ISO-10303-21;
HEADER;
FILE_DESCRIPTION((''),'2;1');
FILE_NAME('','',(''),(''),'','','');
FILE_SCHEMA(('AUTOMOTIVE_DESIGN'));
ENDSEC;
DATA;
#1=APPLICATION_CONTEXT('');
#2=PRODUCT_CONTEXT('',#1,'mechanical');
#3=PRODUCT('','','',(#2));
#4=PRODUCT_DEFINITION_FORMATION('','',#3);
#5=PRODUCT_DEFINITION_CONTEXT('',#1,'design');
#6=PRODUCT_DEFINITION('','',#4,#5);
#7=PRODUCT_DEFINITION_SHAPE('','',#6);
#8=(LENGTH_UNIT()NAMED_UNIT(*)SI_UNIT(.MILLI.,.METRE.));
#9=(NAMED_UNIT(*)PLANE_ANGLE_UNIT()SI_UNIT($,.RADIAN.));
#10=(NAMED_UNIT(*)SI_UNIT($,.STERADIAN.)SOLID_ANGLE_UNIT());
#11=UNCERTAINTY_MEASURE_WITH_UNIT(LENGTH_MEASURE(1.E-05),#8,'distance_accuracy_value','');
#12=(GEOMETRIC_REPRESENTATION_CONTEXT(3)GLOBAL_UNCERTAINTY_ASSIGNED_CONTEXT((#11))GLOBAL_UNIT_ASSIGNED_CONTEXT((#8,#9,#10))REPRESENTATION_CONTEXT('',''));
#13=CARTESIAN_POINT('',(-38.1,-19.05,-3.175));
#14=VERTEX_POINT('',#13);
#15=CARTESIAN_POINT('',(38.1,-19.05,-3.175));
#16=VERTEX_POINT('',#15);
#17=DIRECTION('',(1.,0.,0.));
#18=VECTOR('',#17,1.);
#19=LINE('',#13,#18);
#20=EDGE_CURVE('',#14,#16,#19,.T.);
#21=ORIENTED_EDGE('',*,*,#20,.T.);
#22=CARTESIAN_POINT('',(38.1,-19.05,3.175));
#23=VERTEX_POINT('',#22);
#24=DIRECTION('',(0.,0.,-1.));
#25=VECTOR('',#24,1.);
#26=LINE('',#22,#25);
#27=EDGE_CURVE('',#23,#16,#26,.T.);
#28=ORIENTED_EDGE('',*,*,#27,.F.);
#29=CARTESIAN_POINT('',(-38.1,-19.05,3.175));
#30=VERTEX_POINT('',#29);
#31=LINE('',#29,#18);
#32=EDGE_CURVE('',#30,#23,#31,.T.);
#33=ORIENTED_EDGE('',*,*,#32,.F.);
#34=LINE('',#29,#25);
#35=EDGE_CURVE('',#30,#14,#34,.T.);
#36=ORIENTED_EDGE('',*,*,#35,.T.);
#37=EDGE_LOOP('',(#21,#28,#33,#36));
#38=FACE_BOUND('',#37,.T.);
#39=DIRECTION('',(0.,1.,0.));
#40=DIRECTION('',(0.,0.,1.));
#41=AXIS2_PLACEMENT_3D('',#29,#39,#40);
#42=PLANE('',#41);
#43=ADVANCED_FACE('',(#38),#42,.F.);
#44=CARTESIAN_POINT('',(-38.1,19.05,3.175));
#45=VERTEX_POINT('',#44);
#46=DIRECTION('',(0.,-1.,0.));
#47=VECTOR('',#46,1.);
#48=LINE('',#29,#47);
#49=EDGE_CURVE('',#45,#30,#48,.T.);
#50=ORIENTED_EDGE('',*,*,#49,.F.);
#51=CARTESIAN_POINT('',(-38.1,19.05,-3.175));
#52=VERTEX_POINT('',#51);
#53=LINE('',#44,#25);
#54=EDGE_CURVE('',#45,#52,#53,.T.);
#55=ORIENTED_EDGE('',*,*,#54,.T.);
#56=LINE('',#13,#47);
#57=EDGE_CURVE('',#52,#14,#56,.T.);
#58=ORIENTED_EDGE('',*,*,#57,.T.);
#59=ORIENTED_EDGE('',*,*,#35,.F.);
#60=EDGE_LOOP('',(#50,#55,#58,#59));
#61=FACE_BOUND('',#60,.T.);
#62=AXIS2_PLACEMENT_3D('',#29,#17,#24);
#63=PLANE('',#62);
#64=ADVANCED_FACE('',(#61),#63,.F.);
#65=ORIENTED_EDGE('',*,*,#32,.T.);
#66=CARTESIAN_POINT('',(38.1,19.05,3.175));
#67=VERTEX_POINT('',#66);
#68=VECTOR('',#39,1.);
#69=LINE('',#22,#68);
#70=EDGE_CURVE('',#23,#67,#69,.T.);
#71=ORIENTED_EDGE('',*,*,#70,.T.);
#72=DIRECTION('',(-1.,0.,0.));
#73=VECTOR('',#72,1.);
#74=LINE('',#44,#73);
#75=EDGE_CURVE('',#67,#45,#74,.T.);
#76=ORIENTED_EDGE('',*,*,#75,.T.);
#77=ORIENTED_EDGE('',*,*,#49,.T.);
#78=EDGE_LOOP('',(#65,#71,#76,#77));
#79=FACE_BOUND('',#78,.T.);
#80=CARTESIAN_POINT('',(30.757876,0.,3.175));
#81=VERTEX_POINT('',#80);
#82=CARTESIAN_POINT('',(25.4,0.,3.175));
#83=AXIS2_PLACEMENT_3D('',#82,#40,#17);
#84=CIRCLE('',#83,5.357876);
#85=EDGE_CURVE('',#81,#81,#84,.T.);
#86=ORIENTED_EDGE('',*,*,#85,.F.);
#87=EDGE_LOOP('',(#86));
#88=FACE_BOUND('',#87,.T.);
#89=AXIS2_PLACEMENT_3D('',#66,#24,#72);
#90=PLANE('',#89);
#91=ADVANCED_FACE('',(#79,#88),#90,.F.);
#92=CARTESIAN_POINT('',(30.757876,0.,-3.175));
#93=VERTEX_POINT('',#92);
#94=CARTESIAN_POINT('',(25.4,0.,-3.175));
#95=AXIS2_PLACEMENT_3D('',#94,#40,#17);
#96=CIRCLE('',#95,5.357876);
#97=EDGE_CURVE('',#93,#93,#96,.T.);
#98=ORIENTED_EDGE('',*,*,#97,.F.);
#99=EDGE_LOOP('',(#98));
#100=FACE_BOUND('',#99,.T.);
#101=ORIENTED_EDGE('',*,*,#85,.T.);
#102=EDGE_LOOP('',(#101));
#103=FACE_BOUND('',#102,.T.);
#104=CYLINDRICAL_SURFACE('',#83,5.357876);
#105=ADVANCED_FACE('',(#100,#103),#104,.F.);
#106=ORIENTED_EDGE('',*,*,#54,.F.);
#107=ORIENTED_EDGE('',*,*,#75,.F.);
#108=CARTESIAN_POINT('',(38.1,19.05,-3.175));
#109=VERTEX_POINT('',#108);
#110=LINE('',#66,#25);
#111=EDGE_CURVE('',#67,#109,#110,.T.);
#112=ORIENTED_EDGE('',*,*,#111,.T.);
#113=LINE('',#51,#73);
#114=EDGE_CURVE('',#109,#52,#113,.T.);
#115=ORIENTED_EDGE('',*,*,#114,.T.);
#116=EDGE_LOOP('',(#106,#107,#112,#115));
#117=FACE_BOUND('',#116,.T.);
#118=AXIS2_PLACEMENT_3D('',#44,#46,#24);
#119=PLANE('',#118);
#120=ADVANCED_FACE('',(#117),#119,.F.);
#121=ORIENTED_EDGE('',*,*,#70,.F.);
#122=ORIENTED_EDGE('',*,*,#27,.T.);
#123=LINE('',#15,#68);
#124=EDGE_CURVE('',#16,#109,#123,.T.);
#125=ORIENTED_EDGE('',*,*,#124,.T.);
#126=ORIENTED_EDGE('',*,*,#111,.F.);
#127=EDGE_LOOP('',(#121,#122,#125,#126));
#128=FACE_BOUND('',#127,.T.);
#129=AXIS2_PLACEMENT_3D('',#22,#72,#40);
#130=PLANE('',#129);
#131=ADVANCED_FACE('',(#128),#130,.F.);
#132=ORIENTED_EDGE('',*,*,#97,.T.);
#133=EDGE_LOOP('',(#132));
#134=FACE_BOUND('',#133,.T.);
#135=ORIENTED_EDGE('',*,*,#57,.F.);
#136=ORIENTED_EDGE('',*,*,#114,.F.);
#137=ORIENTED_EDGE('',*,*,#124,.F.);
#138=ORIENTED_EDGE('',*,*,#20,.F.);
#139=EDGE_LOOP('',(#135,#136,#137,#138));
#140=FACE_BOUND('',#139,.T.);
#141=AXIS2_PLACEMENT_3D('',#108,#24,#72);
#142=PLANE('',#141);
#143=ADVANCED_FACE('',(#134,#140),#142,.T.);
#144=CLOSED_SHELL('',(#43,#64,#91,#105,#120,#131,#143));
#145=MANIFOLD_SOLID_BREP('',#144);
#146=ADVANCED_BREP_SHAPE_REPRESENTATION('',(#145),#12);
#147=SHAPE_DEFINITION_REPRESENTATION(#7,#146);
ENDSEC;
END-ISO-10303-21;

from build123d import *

# Parameters (mm, degrees)
SKETCH1_W                        = 76.2
SKETCH1_H                        = 38.1
EXTRUDE1_DEPTH                   = 3.175
F_27_64_0_42188_DIAMETER_HOLE1_D = 10.715752


with BuildPart() as part:
    # Sketch1 → Extrude1 (new, symmetric)
    with BuildSketch(Plane.XY):
        Rectangle(SKETCH1_W, SKETCH1_H)
    extrude(amount=EXTRUDE1_DEPTH, both=True)

    # 27/64 (0.42188) Diameter Hole1 (through all)
    with Locations(Plane(origin=(25.4, 0, 3.175), x_dir=(1, 0, 0), z_dir=(0, 0, 1))):
        with Locations((0, 0)):
            Hole(F_27_64_0_42188_DIAMETER_HOLE1_D / 2)


solid = part.part
